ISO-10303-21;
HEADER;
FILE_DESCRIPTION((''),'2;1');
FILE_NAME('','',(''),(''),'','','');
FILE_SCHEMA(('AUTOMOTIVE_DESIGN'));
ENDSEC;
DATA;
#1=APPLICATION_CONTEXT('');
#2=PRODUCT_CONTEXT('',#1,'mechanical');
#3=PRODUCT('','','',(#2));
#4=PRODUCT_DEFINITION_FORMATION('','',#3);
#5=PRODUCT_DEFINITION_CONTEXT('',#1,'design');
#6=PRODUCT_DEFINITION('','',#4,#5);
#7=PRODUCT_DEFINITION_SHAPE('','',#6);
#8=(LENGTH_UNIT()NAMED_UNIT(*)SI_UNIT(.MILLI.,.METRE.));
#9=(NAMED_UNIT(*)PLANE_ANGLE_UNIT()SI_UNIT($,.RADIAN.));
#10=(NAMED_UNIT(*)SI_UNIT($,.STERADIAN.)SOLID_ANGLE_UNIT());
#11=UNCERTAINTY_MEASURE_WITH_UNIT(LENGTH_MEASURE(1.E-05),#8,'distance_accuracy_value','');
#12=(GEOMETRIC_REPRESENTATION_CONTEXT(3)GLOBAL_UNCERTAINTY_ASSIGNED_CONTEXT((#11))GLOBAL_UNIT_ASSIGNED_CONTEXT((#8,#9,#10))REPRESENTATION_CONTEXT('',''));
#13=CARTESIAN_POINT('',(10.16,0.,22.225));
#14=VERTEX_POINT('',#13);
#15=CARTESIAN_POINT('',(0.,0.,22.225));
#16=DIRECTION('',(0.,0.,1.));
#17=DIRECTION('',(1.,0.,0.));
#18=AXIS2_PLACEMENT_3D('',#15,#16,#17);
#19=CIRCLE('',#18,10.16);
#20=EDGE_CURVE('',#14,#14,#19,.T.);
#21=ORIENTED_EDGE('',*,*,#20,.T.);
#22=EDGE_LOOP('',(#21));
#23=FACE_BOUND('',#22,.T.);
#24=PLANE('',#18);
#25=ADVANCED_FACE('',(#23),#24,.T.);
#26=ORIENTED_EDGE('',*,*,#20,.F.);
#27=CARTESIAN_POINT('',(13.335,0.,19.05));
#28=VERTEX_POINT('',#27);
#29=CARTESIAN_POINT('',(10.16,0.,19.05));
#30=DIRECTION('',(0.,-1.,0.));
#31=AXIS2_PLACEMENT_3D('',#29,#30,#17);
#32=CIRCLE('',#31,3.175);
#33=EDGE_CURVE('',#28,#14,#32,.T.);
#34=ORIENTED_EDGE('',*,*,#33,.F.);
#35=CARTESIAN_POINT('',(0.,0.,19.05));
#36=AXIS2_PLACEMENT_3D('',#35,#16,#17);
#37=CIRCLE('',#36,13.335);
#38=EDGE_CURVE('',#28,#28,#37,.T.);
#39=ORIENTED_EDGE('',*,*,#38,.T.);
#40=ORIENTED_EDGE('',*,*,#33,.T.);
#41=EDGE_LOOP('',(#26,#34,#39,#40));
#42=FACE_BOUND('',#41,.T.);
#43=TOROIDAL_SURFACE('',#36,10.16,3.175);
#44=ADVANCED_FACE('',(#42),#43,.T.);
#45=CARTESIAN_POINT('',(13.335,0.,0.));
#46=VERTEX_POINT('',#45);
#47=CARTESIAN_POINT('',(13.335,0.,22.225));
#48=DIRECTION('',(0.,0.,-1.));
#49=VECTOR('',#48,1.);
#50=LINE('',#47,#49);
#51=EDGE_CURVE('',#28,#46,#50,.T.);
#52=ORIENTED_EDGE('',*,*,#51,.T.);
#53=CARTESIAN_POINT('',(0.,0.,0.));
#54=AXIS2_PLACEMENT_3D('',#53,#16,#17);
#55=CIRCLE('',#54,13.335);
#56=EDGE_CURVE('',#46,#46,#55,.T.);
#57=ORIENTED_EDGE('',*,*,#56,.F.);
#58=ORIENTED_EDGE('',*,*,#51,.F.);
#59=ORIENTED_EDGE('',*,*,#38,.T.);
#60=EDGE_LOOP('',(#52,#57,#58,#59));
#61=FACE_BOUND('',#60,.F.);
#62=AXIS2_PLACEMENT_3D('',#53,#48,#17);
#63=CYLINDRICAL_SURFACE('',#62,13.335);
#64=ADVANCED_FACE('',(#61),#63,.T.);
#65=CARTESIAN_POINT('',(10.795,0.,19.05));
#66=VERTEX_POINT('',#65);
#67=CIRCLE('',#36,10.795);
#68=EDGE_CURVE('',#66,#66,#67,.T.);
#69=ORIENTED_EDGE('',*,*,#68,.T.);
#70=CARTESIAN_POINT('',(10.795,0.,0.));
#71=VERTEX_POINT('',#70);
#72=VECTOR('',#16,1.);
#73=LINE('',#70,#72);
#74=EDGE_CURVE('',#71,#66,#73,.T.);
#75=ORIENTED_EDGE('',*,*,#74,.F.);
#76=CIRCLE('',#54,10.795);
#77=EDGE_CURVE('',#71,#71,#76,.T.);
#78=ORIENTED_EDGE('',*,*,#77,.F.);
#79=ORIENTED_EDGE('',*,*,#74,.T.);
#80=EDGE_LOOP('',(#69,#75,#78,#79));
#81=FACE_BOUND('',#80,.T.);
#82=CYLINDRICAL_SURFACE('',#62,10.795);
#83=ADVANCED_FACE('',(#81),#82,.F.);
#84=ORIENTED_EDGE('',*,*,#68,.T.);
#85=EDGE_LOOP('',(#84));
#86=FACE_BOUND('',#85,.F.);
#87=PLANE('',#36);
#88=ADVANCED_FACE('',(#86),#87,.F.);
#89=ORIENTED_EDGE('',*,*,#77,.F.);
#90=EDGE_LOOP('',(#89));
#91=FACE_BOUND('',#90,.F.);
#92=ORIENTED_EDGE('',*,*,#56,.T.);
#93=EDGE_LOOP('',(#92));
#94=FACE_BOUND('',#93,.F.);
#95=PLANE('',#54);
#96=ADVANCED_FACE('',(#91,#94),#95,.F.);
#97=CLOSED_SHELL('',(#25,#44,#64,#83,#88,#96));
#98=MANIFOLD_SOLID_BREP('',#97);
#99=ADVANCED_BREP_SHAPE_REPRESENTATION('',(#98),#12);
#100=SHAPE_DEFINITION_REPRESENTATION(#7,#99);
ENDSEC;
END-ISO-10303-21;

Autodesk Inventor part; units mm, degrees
ref_plane "YZ Plane" through (0, 0, 0) normal (1, 0, 0) x (0, 1, 0)
ref_plane "XZ Plane" through (0, 0, 0) normal (0, 1, 0) x (-1, 0, 0)
ref_plane "XY Plane" through (0, 0, 0) normal (0, 0, 1) x (1, 0, 0)
sketch "Sketch1" plane through (0, 0, 0) normal (0, 0, 1) x (1, 0, 0)
  circle A0 centre (0, 0) radius 13.335
  circle A1 centre (0, 0) radius 10.795
  dimension "d0" = 26.67
  dimension "d2" = 21.59
extrude "Extrusion1" add sketch "Sketch1" along normal blind 19.05
sketch "Sketch2" plane through (0, 0, 19.05) normal (0, 0, 1) x (1, 0, 0)
  circle A0 centre (0, 0) radius 13.335 projected
extrude "Extrusion2" add sketch "Sketch2" along normal blind 3.175
fillet "Fillet1" radius 3.175 1 edges at (-13.335, 0, 22.225)
properties part number "Cap" material "PVC-Piping"
